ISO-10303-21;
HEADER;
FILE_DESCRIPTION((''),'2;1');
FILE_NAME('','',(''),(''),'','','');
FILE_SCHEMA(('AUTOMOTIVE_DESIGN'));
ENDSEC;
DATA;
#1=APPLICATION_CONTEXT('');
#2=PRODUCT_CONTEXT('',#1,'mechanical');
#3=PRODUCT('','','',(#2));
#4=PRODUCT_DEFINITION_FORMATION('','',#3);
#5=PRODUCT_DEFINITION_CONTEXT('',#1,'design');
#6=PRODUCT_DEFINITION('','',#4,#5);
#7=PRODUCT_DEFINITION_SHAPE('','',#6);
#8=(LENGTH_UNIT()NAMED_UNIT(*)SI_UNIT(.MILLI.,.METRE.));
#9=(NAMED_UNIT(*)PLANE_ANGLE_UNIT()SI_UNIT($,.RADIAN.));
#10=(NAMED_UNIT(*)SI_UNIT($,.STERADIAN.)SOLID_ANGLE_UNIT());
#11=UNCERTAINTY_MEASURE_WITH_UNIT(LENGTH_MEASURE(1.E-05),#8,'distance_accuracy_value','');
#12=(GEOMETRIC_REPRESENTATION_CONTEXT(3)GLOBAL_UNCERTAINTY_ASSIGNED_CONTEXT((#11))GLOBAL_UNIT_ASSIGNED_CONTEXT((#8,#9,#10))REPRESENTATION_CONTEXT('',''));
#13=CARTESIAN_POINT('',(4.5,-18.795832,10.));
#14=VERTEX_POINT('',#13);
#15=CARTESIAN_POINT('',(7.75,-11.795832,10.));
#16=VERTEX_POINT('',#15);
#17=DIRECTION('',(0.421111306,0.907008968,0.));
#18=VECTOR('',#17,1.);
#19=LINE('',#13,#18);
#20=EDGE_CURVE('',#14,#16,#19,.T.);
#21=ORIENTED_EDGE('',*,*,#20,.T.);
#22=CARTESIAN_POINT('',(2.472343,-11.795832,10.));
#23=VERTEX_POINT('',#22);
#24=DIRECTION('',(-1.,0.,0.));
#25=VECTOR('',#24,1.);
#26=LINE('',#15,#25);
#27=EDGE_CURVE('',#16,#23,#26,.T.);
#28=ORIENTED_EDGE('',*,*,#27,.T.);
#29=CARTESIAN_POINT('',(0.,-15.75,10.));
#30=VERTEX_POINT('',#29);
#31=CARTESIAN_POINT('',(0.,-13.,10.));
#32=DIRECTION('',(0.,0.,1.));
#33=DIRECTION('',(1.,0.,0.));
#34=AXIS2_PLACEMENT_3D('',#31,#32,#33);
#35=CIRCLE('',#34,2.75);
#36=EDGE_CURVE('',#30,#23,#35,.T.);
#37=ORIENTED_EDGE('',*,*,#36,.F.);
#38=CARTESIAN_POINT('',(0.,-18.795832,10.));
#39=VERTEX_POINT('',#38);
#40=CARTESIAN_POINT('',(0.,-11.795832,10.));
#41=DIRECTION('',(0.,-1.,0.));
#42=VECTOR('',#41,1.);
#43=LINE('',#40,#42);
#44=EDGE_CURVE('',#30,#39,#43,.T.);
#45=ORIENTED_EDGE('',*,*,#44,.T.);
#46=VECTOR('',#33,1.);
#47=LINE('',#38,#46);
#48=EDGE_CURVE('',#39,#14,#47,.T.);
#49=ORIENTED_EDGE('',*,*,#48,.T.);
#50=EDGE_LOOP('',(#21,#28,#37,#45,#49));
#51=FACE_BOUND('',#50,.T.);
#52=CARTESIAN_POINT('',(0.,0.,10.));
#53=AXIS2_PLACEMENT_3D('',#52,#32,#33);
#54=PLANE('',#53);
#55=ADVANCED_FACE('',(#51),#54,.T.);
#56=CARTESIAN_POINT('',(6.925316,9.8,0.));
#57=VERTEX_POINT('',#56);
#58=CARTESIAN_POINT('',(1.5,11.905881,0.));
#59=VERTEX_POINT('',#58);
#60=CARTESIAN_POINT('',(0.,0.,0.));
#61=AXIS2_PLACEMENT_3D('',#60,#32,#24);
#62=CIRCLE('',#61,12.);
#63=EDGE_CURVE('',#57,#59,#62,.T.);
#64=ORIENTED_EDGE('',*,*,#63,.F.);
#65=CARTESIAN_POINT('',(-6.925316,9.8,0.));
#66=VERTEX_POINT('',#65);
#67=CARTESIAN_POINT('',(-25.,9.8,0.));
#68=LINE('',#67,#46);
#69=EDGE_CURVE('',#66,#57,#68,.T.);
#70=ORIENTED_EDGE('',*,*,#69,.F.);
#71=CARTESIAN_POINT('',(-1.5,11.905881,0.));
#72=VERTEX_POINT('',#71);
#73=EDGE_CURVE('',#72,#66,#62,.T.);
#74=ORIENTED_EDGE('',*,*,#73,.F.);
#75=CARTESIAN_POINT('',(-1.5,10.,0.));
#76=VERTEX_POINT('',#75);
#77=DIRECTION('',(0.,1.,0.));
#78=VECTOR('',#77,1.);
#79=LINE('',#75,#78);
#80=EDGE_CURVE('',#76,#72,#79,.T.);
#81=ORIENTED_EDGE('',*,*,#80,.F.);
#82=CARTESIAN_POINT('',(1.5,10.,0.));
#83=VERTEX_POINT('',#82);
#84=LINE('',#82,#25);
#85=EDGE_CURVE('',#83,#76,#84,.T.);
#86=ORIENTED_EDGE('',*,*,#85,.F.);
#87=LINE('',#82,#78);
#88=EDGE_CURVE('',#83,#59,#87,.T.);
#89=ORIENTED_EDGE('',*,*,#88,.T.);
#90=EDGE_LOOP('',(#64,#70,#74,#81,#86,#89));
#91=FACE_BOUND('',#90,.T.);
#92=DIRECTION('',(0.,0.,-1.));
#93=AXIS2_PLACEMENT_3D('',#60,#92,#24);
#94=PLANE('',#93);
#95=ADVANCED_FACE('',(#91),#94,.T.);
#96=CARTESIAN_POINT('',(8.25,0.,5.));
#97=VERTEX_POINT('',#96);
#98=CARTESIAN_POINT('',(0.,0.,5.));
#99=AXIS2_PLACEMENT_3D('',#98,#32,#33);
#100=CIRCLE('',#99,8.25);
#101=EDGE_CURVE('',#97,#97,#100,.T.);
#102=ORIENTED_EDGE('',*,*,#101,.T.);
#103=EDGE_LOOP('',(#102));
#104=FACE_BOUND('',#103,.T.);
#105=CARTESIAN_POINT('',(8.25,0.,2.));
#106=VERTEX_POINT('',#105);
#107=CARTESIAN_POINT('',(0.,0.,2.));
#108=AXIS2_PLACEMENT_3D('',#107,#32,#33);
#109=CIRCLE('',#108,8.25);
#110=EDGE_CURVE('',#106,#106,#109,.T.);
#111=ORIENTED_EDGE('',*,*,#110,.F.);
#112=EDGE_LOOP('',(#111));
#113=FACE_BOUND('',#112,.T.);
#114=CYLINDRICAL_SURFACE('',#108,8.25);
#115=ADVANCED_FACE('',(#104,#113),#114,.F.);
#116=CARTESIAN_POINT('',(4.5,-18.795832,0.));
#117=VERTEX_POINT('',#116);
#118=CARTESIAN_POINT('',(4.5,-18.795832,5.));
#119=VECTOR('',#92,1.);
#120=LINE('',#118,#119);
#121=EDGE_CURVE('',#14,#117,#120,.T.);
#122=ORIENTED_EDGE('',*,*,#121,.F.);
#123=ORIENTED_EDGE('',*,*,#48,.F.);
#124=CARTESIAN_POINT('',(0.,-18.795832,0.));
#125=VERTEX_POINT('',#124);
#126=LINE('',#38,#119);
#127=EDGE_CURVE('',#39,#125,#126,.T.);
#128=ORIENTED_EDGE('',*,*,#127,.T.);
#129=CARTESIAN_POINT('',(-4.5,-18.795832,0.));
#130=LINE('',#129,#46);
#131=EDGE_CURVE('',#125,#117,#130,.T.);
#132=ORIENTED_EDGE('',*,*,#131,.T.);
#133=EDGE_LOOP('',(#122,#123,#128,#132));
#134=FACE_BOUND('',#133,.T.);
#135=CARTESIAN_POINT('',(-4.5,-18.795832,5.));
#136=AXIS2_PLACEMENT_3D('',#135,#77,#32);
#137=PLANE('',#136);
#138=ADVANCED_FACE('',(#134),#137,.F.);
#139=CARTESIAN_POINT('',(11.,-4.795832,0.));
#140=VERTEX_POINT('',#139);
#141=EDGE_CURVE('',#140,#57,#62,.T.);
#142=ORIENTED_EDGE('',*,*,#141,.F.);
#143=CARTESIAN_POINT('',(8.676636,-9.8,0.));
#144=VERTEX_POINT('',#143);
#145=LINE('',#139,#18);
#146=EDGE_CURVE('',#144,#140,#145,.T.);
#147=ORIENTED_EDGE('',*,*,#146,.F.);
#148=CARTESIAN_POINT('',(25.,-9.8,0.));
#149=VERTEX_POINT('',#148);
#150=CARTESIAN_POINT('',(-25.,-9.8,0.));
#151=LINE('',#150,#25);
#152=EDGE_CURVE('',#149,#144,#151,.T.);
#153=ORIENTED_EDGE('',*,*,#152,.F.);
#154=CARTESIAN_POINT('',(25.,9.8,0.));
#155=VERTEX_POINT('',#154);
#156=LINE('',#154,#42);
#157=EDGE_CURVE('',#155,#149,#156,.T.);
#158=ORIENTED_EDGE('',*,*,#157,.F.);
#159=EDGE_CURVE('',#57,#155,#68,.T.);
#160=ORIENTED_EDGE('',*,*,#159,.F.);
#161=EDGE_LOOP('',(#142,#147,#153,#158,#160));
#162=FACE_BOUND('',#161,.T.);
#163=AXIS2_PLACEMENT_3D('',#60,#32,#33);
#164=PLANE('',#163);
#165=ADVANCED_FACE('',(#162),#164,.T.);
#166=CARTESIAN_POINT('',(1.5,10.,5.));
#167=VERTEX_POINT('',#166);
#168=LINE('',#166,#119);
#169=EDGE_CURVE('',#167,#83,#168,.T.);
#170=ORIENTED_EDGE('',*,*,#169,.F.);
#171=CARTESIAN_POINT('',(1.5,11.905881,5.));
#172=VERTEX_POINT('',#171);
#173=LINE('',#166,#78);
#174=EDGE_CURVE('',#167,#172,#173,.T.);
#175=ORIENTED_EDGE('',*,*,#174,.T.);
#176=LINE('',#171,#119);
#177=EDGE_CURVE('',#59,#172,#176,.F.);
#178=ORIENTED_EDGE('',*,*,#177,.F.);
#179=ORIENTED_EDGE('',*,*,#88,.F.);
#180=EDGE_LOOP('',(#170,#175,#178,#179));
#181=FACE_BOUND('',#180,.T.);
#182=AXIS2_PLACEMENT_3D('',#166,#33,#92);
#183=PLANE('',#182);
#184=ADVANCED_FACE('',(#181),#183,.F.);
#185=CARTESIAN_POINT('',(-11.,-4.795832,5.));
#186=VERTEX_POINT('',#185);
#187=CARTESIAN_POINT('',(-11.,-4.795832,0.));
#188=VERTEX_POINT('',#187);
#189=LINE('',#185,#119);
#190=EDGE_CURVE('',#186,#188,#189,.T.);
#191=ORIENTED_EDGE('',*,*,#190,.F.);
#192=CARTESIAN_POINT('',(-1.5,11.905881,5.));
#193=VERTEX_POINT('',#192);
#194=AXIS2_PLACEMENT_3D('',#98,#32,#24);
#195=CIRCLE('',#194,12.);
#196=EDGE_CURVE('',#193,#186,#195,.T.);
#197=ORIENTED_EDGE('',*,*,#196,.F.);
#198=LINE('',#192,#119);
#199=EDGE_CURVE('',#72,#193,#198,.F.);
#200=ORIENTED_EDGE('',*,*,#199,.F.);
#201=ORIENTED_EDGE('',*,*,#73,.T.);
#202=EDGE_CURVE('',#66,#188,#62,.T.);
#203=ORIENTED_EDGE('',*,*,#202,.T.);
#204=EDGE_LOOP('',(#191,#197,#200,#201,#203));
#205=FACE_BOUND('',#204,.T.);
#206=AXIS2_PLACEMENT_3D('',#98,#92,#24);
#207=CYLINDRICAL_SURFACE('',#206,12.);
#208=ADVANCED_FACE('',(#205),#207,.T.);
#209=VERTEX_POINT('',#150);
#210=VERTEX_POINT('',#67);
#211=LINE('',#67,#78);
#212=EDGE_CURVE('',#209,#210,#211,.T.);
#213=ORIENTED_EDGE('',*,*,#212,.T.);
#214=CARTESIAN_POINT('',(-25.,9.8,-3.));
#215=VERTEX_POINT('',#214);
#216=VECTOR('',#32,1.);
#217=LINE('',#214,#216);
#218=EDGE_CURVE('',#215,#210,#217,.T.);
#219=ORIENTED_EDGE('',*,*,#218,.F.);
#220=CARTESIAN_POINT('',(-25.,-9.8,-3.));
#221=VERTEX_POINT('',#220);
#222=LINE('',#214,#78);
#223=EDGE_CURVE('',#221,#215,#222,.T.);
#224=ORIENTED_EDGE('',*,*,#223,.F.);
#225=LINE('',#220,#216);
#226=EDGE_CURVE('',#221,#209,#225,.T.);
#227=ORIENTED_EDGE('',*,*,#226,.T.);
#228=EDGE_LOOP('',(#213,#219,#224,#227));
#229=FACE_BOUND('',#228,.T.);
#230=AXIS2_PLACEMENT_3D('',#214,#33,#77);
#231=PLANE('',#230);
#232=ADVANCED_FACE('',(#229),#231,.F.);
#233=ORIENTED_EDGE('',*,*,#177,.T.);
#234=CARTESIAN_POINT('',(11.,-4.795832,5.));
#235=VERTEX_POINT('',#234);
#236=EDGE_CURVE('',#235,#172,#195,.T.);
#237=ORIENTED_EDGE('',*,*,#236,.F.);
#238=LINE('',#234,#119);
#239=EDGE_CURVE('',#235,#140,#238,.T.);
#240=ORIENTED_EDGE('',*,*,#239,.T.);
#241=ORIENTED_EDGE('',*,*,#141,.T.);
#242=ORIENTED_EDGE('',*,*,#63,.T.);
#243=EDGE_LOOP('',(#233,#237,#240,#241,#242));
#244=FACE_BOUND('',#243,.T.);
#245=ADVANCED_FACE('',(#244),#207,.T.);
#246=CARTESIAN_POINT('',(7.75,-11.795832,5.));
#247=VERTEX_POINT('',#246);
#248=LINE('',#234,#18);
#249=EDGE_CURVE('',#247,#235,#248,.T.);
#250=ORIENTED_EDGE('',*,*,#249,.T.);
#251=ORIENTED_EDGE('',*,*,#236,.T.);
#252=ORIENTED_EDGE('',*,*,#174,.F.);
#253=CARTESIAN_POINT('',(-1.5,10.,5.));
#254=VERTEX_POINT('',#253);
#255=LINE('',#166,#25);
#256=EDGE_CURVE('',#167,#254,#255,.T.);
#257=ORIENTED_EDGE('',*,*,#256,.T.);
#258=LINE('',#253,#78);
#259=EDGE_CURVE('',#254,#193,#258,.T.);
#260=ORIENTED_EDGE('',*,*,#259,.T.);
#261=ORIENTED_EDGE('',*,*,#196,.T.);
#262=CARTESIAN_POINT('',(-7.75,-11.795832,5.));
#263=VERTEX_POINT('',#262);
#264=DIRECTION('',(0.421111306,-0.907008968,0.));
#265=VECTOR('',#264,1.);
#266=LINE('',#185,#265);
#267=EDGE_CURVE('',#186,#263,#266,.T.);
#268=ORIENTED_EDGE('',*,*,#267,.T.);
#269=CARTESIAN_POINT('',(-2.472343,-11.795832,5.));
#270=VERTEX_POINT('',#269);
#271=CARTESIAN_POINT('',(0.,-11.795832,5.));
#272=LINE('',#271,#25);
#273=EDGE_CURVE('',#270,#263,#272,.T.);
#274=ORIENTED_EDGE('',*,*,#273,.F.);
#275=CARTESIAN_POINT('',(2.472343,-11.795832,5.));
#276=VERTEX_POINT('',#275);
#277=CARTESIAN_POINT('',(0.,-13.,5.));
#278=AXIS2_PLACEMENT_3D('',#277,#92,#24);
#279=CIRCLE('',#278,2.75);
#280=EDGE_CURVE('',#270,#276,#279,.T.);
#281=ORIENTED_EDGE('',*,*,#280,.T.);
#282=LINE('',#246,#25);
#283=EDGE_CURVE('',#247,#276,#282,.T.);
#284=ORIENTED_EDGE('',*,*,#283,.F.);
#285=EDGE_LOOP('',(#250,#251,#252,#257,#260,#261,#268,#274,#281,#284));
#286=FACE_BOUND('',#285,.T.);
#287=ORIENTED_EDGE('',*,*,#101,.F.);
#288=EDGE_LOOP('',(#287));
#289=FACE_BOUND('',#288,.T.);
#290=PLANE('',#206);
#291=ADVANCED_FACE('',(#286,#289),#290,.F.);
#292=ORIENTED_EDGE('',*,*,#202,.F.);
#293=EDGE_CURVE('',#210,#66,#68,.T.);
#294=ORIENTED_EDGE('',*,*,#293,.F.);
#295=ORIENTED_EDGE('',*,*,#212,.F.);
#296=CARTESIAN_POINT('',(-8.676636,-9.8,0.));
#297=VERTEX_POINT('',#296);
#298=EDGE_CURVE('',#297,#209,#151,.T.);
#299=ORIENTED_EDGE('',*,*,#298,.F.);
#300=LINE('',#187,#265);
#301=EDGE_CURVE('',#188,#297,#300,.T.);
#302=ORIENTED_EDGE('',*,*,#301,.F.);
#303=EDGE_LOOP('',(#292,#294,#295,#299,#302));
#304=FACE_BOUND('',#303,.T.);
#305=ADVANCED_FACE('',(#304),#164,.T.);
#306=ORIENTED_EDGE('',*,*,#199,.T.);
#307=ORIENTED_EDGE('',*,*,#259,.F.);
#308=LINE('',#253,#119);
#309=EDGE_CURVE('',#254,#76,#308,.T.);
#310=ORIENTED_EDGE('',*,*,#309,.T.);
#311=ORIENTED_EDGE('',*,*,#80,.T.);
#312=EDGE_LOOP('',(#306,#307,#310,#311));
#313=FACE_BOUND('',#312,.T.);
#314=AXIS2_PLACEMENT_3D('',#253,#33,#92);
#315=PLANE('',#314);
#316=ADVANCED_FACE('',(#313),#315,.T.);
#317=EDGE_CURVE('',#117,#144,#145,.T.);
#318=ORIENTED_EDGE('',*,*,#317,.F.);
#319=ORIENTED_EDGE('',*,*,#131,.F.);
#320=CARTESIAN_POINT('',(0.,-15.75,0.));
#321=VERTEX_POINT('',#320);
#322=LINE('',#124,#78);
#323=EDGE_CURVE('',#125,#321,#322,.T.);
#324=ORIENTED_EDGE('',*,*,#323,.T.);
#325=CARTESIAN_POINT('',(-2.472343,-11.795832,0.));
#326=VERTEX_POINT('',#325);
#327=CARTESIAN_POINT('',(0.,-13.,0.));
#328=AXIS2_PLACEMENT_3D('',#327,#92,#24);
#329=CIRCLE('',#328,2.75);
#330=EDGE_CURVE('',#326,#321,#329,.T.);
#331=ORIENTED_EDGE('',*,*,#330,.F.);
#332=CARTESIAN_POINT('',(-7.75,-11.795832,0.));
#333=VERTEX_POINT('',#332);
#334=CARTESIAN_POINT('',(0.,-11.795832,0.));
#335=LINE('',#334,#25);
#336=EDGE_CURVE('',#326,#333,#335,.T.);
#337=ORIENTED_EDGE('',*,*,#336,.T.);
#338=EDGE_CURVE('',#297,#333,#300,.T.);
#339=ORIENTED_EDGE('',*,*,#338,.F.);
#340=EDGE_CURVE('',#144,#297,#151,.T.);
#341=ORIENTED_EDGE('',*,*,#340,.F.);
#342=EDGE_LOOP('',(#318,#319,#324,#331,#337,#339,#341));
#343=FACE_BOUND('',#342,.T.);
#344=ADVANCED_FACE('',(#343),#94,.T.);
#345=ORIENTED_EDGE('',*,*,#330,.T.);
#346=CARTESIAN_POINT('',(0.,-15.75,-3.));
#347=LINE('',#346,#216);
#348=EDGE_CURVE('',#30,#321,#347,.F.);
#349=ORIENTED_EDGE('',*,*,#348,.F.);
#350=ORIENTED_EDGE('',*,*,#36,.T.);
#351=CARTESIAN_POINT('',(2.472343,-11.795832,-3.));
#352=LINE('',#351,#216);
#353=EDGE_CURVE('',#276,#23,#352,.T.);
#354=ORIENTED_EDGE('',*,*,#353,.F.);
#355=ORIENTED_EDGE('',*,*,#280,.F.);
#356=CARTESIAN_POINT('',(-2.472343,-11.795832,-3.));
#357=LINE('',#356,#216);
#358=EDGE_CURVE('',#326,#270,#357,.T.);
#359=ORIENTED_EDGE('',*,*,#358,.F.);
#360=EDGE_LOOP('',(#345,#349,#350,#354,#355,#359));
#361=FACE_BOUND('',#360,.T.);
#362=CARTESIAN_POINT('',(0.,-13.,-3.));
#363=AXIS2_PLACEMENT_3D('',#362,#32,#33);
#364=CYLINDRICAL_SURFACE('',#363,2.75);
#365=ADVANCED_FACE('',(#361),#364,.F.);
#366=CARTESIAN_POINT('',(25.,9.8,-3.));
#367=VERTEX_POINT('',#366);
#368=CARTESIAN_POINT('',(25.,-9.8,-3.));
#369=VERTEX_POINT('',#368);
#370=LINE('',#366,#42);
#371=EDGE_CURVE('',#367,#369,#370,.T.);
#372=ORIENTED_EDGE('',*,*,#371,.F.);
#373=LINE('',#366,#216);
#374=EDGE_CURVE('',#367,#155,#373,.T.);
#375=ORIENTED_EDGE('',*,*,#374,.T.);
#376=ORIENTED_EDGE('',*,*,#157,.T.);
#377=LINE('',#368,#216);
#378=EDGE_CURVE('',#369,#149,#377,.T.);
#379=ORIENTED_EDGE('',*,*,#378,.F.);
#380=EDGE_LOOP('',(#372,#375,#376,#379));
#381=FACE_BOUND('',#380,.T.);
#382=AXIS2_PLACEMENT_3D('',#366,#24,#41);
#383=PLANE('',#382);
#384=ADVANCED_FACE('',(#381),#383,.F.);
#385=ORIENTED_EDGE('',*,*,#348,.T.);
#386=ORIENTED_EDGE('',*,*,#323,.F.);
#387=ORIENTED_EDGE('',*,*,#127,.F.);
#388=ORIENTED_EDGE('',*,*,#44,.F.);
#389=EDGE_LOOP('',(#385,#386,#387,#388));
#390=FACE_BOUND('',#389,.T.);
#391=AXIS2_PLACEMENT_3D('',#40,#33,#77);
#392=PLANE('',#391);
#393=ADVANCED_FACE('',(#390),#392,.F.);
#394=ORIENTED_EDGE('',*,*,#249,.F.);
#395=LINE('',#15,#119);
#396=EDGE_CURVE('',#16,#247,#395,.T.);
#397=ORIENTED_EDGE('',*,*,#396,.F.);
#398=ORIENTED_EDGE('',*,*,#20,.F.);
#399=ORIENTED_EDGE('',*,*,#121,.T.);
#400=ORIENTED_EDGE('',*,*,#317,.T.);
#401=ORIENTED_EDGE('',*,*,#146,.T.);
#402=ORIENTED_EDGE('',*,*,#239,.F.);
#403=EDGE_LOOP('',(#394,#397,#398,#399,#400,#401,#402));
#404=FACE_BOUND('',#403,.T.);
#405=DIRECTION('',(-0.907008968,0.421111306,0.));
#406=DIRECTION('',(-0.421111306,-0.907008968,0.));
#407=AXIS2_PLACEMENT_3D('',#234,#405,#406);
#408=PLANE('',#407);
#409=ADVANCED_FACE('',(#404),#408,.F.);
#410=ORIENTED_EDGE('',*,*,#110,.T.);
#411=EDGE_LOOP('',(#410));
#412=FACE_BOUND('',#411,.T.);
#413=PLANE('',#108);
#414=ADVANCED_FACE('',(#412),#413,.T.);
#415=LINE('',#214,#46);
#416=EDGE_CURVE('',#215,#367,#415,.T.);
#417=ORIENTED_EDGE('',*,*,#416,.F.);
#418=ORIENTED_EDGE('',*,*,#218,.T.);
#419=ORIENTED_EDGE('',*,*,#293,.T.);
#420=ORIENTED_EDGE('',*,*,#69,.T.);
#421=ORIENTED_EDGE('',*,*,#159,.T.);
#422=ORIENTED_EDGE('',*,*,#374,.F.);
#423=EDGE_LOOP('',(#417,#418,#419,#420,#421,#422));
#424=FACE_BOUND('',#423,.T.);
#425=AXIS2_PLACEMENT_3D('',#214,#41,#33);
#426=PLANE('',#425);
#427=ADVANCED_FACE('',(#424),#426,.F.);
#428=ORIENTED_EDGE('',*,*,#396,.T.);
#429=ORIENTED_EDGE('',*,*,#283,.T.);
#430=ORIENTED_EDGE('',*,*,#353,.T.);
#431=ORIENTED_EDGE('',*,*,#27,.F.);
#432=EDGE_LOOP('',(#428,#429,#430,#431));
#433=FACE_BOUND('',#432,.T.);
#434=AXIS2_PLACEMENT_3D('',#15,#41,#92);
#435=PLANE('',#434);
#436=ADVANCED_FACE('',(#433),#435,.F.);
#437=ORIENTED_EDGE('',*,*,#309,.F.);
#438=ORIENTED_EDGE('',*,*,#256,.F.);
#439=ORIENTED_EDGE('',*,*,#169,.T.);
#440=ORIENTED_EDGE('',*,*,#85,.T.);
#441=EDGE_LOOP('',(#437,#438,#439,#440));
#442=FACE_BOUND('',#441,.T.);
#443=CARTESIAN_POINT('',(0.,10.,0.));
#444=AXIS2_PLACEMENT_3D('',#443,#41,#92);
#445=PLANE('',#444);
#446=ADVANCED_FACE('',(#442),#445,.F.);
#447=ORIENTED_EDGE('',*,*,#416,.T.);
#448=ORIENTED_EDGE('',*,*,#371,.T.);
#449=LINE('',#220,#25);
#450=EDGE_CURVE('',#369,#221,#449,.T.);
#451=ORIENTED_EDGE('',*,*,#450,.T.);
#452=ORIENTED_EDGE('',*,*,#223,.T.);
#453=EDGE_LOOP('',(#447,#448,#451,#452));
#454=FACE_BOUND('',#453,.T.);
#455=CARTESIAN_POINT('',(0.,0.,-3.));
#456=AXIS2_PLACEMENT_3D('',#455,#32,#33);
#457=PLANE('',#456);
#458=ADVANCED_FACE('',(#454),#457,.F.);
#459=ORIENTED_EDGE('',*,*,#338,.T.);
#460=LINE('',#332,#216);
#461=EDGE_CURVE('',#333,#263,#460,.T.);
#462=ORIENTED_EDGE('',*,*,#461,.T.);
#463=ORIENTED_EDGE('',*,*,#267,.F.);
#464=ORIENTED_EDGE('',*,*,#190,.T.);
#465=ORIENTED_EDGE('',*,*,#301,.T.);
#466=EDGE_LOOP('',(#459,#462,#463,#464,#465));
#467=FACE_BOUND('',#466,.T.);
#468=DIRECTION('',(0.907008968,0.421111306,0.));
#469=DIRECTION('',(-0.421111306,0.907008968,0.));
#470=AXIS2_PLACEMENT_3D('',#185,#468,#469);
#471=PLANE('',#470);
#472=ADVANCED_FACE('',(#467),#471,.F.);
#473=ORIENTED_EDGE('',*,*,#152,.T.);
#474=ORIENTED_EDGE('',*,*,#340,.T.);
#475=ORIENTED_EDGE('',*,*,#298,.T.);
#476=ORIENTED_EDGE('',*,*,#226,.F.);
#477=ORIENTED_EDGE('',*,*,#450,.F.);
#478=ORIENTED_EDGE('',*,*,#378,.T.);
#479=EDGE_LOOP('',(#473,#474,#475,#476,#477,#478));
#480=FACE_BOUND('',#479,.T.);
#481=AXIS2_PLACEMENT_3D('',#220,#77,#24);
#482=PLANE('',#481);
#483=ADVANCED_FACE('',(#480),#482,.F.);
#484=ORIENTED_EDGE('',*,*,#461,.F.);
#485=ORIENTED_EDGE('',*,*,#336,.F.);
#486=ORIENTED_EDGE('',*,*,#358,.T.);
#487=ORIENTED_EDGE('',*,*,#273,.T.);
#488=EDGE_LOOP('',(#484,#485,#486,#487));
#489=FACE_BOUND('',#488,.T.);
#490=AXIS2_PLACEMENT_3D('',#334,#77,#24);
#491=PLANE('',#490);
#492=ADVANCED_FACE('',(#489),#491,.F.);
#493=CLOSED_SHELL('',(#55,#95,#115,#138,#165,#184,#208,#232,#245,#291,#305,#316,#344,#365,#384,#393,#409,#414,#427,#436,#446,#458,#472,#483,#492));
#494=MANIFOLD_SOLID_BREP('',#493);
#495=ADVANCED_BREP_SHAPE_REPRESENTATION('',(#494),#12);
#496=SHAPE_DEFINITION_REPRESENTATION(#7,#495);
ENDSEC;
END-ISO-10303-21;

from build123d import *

# Parameters (mm, degrees)
BOSS_EXTRU_1_DEPTH           = 5
ESQUISSE2_R                  = 8.25
ENL_V_MAT_EXTRU_1_DEPTH      = 3
ESQUISSE4_W                  = 3
ESQUISSE4_H                  = 5
ENL_V_MAT_EXTRU_2_DEPTH      = 2
BOSS_EXTRU_2_DEPTH           = 5
ENL_V_MAT_EXTRU_4_DEPTH      = 5
ESQUISSE8_W                  = 50
ESQUISSE8_H                  = 19.6
BOSS_EXTRU_3_DEPTH           = 3
ESQUISSE10_R                 = 2.75
ENL_V_MAT_EXTRU_5_DEPTH      = 6
ENL_V_MAT_EXTRU_5_DEPTH_BACK = 9


with BuildPart() as part:
    # Esquisse1 → Boss.-Extru.1 (new body)
    with BuildSketch(Plane.XY):
        with BuildLine():
            Line((-11, -4.795831523), (-4.5, -18.795831523))
            Line((-4.5, -18.795831523), (4.5, -18.795831523))
            Line((4.5, -18.795831523), (11, -4.795831523))
            ThreePointArc((11, -4.795831523), (0, 12), (-11, -4.795831523))
        make_face()
    extrude(amount=BOSS_EXTRU_1_DEPTH)

    # Esquisse2 → Enlèv. mat.-Extru.1 (cut)
    with BuildSketch(Plane.XY.offset(5)):
        Circle(ESQUISSE2_R)
    extrude(amount=-ENL_V_MAT_EXTRU_1_DEPTH, mode=Mode.SUBTRACT)

    # Esquisse4 → Enlèv. mat.-Extru.2 (cut)
    with BuildSketch(Plane(origin=(0, 12, 0), x_dir=(1, 0, 0), z_dir=(0, 1, 0))):
        with Locations((0, -2.5)):
            Rectangle(ESQUISSE4_W, ESQUISSE4_H)
    extrude(amount=-ENL_V_MAT_EXTRU_2_DEPTH, mode=Mode.SUBTRACT)

    # Esquisse6 → Boss.-Extru.2 (add)
    with BuildSketch(Plane.XY.offset(5)):
        Polygon((0, -18.795831523), (4.5, -18.795831523), (7.75, -11.795831523), (0, -11.795831523), align=None)
    extrude(amount=BOSS_EXTRU_2_DEPTH)

    # Esquisse7 → Enlèv. mat.-Extru.4 (cut)
    with BuildSketch(Plane.XY.offset(5)):
        Polygon((0, -18.795831523), (0, -11.795831523), (-7.75, -11.795831523), (-4.5, -18.795831523), align=None)
    extrude(amount=-ENL_V_MAT_EXTRU_4_DEPTH, mode=Mode.SUBTRACT)

    # Esquisse8 → Boss.-Extru.3 (add)
    with BuildSketch(Plane(origin=(0, 0, 0), x_dir=(-1, 0, 0), z_dir=(0, 0, -1))):
        Rectangle(ESQUISSE8_W, ESQUISSE8_H)
    extrude(amount=BOSS_EXTRU_3_DEPTH)

    # Esquisse10 → Enlèv. mat.-Extru.5 (cut, two sides)
    with BuildSketch(Plane.XY.offset(5)) as enl_v_mat_extru_5_sk:
        with Locations((0, -13)):
            Circle(ESQUISSE10_R)
    extrude(amount=ENL_V_MAT_EXTRU_5_DEPTH, mode=Mode.SUBTRACT)
    extrude(enl_v_mat_extru_5_sk.sketch, amount=-ENL_V_MAT_EXTRU_5_DEPTH_BACK, mode=Mode.SUBTRACT)


solid = part.part
